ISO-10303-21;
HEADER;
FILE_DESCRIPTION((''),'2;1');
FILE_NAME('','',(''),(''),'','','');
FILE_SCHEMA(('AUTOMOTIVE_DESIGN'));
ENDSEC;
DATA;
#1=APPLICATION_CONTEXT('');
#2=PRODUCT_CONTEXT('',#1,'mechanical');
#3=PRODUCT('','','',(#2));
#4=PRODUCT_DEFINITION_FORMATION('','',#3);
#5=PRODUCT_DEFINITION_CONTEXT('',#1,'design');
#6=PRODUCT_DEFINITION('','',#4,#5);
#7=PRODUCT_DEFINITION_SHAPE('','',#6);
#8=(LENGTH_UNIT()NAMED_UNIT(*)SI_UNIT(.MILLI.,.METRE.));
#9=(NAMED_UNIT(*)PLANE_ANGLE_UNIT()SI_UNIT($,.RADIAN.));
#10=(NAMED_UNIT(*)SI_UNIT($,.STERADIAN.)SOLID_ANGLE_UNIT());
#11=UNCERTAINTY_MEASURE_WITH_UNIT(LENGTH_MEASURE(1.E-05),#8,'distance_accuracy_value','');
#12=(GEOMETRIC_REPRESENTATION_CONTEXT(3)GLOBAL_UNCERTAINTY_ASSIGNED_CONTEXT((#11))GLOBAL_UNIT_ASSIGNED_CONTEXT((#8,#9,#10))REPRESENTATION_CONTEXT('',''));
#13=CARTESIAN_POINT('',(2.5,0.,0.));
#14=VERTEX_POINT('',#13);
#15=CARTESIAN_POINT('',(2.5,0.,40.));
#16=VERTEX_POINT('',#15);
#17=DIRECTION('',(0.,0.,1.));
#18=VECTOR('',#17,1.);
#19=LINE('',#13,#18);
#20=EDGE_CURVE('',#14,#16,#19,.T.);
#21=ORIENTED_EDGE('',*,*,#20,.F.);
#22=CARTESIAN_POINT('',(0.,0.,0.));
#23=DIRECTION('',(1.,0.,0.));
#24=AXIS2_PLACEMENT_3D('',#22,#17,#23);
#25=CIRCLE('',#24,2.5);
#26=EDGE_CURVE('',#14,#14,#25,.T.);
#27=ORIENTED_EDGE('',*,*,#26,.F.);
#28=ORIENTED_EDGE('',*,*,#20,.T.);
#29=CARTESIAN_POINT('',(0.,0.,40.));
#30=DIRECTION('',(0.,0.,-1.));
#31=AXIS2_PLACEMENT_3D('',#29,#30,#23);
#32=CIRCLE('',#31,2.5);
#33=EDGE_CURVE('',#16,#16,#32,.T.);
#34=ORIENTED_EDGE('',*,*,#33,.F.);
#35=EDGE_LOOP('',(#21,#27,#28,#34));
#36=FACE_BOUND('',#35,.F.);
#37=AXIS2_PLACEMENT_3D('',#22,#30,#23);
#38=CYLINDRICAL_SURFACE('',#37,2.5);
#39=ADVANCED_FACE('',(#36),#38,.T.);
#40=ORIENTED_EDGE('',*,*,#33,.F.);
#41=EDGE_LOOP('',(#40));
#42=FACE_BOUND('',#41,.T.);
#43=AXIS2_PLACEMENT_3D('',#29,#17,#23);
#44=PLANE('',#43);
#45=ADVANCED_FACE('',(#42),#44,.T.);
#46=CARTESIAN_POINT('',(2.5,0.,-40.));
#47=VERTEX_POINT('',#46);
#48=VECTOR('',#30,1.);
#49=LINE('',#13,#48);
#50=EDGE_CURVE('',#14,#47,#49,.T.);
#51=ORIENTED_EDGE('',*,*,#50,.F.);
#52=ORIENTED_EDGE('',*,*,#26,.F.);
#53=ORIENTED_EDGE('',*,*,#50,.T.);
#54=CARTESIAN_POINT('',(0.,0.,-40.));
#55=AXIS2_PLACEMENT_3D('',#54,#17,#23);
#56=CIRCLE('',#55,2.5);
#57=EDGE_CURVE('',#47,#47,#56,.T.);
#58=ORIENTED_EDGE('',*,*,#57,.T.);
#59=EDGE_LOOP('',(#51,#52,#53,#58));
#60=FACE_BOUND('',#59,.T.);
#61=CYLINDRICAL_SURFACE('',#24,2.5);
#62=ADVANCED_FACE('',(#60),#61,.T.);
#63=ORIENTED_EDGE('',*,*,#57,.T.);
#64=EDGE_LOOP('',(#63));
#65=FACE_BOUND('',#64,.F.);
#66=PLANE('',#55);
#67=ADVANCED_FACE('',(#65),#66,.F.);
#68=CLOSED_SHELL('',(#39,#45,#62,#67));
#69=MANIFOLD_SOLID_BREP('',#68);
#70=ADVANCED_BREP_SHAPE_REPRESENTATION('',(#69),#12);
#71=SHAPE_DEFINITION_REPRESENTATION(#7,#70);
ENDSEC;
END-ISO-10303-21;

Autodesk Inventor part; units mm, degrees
ref_plane "YZ Plane" through (0, 0, 0) normal (1, 0, 0) x (0, 1, 0)
ref_plane "XZ Plane" through (0, 0, 0) normal (0, 1, 0) x (-1, 0, 0)
ref_plane "XY Plane" through (0, 0, 0) normal (0, 0, 1) x (1, 0, 0)
sketch "Skizze1" plane through (0, 0, 0) normal (0, 0, 1) x (1, 0, 0)
  line L0 (-3.5, 0) -> (3.5, 0) projected
  line L1 (0, -3.5) -> (0, 3.5) projected
  circle A0 centre (0, 0) radius 2.5
  dimension "d0" = 5
extrude "Extrusion1" add sketch "Skizze1" along normal mid plane 80
thread "Gewinde1" size "M5x0.8" class "6g" standard "ANSI Metric M Profile" full length
properties part number "Gewindestück_M5_Z-Achse"
